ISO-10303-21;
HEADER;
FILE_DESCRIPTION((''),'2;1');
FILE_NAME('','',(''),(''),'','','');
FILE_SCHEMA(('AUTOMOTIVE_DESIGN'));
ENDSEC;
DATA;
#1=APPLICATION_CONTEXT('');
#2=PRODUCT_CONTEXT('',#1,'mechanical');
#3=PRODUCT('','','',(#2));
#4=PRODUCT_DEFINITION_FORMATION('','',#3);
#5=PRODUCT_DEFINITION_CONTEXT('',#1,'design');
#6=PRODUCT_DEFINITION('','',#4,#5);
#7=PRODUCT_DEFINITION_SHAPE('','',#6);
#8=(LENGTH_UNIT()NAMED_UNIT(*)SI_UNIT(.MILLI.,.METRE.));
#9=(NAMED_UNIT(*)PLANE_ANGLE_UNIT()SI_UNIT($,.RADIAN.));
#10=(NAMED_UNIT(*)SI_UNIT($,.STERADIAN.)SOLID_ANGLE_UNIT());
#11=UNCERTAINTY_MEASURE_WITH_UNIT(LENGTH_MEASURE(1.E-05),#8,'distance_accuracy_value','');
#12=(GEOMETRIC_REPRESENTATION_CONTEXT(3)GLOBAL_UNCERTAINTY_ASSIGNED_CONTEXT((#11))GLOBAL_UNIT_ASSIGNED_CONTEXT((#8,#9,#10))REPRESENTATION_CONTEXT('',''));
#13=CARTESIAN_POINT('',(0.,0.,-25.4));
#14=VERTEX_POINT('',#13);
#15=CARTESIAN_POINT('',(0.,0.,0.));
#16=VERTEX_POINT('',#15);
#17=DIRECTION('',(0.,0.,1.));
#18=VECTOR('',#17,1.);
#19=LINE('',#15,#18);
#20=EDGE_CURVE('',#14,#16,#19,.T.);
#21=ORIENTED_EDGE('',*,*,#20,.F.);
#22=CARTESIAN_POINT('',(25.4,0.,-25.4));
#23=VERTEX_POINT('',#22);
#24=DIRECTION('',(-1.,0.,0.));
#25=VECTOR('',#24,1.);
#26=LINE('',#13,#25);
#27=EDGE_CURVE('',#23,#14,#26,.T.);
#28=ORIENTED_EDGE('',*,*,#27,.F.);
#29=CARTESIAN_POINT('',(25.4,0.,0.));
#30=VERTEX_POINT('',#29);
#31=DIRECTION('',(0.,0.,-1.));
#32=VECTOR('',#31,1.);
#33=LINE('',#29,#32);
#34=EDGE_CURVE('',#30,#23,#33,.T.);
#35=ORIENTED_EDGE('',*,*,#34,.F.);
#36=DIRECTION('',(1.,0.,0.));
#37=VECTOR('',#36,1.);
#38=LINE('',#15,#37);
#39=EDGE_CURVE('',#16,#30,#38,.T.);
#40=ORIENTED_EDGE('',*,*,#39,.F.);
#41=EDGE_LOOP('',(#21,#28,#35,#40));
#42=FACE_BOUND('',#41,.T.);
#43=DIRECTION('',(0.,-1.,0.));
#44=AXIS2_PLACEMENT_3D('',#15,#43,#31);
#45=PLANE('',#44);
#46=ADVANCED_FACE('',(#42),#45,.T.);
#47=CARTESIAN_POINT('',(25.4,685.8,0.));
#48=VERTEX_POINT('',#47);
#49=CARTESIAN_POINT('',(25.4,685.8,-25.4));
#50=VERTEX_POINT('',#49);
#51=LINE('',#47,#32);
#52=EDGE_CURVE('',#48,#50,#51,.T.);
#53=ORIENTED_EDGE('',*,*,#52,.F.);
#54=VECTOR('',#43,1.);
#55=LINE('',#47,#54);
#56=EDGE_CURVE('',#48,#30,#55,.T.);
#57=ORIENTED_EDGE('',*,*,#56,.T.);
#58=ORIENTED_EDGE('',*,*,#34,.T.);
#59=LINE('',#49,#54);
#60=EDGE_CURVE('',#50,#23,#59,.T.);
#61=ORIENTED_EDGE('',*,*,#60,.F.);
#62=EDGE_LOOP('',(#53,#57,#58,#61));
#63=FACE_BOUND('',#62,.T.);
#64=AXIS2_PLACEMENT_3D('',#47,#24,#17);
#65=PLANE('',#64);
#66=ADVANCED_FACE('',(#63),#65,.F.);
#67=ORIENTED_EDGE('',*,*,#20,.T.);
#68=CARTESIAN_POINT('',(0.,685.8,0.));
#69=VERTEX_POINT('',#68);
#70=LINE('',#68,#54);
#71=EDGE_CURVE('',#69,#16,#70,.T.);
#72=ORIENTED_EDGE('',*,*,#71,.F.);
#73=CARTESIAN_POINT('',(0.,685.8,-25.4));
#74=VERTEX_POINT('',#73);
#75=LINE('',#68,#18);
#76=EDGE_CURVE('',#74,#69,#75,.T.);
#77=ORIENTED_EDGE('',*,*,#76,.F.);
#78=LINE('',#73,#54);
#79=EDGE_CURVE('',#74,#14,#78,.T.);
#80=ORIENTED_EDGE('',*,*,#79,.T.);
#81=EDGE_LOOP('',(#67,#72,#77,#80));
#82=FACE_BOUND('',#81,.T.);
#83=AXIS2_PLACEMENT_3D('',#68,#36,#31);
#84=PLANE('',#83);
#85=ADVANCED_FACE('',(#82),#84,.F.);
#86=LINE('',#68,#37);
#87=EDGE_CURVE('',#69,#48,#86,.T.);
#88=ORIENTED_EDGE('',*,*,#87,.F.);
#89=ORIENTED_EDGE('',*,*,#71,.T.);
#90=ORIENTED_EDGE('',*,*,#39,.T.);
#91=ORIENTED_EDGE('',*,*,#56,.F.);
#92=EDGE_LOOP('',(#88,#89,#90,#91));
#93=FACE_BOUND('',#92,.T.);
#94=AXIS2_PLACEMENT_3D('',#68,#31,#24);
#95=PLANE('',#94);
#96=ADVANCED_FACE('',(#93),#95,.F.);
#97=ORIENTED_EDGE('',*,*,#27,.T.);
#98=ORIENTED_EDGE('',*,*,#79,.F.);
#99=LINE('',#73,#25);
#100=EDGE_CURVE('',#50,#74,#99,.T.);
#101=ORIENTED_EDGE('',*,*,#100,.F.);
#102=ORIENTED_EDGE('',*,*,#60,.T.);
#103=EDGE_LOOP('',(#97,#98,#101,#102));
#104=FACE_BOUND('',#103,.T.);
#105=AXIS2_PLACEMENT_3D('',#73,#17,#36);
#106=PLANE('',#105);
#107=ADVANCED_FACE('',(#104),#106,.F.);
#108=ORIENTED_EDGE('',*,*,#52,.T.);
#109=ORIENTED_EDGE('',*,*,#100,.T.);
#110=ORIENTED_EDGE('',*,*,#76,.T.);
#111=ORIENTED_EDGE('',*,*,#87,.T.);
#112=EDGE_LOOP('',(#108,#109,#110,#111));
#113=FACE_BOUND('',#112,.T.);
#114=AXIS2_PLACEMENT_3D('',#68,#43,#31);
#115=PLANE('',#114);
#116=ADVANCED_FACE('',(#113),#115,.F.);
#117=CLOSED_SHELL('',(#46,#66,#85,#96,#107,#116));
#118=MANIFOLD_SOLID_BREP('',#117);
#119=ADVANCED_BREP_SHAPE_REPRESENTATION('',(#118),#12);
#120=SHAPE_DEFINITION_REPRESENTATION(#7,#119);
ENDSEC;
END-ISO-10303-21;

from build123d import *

# Parameters (mm, degrees)
SKETCH1_W           = 25.4
SKETCH1_H           = 25.4
BOSS_EXTRUDE1_DEPTH = 685.8


with BuildPart() as part:
    # Sketch1 → Boss-Extrude1 (new body)
    with BuildSketch(Plane(origin=(0, 0, 0), x_dir=(1, 0, 0), z_dir=(0, 1, 0))):
        with Locations((12.7, 12.7)):
            Rectangle(SKETCH1_W, SKETCH1_H)
    extrude(amount=BOSS_EXTRUDE1_DEPTH)


solid = part.part
